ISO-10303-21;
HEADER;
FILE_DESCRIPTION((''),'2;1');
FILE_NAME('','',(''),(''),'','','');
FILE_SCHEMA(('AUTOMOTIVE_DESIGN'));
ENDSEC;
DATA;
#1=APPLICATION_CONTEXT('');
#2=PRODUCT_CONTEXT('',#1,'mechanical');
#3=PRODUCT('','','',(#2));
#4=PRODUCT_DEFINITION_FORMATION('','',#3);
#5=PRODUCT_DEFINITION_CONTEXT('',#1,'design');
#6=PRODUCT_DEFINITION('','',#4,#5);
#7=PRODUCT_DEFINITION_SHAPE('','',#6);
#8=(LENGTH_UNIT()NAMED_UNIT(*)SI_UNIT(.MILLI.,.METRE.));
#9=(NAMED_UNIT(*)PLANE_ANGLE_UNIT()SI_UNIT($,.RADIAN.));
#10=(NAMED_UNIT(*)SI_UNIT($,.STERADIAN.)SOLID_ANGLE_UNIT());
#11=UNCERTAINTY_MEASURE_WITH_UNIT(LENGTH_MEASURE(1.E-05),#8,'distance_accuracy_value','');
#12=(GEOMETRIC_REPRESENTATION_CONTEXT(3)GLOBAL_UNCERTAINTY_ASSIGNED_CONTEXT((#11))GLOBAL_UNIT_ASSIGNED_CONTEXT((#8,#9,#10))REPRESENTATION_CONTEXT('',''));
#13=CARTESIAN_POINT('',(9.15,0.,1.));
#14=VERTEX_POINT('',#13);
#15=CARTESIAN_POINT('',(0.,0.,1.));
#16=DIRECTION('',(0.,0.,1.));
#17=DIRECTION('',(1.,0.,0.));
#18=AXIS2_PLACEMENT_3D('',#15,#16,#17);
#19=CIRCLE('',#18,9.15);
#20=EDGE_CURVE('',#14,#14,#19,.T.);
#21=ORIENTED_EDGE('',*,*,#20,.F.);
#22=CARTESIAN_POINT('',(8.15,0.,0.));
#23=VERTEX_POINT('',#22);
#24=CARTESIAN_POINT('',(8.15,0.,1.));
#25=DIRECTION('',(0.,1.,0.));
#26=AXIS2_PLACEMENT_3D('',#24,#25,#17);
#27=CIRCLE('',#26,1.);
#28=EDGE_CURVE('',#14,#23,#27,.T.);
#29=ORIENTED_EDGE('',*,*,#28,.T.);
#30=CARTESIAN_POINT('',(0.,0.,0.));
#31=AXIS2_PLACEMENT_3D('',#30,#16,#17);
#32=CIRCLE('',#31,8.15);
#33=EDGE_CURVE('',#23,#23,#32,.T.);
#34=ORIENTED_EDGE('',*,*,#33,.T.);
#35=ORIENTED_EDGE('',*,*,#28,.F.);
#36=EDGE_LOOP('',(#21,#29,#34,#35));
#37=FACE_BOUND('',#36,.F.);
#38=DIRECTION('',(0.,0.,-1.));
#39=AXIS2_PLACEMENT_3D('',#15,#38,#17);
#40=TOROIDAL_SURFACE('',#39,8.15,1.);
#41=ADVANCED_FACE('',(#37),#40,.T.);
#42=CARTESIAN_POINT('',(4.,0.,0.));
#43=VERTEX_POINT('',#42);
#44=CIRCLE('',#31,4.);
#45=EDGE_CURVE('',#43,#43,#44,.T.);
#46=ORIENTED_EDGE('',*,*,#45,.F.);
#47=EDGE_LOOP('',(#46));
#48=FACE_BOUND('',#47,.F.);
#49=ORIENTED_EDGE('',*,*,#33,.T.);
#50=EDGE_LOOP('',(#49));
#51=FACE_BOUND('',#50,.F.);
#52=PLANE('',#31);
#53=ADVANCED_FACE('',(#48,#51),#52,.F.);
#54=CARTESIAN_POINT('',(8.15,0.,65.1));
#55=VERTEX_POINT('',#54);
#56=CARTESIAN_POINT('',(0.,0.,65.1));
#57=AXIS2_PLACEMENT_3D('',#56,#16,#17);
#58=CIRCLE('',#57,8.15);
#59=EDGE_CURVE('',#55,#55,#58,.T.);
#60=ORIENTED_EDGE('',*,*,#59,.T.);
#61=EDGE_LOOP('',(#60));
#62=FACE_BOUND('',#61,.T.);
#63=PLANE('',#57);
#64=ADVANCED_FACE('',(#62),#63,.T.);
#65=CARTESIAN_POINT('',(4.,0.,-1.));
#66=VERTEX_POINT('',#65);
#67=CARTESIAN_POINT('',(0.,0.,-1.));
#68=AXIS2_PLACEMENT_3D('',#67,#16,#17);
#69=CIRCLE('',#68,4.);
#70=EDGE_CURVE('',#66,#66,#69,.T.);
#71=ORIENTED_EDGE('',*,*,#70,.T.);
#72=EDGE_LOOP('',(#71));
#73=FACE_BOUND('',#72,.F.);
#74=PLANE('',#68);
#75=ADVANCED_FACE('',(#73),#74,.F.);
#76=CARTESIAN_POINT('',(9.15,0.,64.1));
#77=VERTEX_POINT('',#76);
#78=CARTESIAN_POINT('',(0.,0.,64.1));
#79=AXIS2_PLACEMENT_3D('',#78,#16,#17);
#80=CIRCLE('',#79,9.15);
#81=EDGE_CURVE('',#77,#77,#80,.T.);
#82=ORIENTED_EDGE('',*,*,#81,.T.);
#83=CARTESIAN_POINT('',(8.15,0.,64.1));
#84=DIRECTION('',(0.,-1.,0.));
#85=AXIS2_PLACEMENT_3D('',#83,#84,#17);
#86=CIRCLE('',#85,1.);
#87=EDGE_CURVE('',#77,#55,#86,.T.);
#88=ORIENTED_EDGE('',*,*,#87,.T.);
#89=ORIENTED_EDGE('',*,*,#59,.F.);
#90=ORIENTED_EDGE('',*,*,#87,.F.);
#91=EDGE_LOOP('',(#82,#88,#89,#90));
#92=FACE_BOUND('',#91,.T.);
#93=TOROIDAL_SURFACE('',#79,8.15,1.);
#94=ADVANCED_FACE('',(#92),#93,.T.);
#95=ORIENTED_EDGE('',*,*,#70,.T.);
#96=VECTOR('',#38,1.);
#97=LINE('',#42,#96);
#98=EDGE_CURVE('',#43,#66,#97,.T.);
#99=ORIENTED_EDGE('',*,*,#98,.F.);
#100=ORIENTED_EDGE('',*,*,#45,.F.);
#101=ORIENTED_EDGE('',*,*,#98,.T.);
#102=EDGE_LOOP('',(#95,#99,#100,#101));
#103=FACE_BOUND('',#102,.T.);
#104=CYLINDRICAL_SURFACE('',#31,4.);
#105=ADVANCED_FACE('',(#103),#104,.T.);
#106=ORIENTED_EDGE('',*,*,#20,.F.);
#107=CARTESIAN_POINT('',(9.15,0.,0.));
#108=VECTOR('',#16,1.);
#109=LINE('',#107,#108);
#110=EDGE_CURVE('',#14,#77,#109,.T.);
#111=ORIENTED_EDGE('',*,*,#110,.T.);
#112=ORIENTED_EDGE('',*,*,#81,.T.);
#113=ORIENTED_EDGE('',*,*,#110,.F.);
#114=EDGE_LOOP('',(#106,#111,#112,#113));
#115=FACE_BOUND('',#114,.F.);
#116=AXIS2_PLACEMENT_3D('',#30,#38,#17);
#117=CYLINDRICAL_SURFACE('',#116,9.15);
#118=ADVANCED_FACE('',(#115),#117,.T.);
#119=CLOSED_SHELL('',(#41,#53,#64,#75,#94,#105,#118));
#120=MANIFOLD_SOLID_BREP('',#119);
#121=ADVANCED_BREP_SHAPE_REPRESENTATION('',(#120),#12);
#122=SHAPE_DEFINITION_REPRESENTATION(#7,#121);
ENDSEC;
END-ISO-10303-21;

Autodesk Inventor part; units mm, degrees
ref_plane "YZ Plane" through (0, 0, 0) normal (1, 0, 0) x (0, 1, 0)
ref_plane "XZ Plane" through (0, 0, 0) normal (0, 1, 0) x (-1, 0, 0)
ref_plane "XY Plane" through (0, 0, 0) normal (0, 0, 1) x (1, 0, 0)
sketch "Skizze1" plane through (0, 0, 0) normal (0, 0, 1) x (1, 0, 0)
  circle A0 centre (0, 0) radius 9.15
  circle A1 centre (0, 0) radius 4
  dimension "d0" = 18.3
  dimension "d3" = 8
extrude "Extrusion1" add sketch "Skizze1" along normal blind 65.1 contours A0 | A1
extrude "Extrusion2" add sketch "Skizze1" against normal blind 1 contours A1
fillet "Rundung1" radius 1 2 edges at (-9.15, 0, 0) (-9.15, 0, 65.1)
properties part number "LG INR18650MJ1" material "Kupfer, Guss"
